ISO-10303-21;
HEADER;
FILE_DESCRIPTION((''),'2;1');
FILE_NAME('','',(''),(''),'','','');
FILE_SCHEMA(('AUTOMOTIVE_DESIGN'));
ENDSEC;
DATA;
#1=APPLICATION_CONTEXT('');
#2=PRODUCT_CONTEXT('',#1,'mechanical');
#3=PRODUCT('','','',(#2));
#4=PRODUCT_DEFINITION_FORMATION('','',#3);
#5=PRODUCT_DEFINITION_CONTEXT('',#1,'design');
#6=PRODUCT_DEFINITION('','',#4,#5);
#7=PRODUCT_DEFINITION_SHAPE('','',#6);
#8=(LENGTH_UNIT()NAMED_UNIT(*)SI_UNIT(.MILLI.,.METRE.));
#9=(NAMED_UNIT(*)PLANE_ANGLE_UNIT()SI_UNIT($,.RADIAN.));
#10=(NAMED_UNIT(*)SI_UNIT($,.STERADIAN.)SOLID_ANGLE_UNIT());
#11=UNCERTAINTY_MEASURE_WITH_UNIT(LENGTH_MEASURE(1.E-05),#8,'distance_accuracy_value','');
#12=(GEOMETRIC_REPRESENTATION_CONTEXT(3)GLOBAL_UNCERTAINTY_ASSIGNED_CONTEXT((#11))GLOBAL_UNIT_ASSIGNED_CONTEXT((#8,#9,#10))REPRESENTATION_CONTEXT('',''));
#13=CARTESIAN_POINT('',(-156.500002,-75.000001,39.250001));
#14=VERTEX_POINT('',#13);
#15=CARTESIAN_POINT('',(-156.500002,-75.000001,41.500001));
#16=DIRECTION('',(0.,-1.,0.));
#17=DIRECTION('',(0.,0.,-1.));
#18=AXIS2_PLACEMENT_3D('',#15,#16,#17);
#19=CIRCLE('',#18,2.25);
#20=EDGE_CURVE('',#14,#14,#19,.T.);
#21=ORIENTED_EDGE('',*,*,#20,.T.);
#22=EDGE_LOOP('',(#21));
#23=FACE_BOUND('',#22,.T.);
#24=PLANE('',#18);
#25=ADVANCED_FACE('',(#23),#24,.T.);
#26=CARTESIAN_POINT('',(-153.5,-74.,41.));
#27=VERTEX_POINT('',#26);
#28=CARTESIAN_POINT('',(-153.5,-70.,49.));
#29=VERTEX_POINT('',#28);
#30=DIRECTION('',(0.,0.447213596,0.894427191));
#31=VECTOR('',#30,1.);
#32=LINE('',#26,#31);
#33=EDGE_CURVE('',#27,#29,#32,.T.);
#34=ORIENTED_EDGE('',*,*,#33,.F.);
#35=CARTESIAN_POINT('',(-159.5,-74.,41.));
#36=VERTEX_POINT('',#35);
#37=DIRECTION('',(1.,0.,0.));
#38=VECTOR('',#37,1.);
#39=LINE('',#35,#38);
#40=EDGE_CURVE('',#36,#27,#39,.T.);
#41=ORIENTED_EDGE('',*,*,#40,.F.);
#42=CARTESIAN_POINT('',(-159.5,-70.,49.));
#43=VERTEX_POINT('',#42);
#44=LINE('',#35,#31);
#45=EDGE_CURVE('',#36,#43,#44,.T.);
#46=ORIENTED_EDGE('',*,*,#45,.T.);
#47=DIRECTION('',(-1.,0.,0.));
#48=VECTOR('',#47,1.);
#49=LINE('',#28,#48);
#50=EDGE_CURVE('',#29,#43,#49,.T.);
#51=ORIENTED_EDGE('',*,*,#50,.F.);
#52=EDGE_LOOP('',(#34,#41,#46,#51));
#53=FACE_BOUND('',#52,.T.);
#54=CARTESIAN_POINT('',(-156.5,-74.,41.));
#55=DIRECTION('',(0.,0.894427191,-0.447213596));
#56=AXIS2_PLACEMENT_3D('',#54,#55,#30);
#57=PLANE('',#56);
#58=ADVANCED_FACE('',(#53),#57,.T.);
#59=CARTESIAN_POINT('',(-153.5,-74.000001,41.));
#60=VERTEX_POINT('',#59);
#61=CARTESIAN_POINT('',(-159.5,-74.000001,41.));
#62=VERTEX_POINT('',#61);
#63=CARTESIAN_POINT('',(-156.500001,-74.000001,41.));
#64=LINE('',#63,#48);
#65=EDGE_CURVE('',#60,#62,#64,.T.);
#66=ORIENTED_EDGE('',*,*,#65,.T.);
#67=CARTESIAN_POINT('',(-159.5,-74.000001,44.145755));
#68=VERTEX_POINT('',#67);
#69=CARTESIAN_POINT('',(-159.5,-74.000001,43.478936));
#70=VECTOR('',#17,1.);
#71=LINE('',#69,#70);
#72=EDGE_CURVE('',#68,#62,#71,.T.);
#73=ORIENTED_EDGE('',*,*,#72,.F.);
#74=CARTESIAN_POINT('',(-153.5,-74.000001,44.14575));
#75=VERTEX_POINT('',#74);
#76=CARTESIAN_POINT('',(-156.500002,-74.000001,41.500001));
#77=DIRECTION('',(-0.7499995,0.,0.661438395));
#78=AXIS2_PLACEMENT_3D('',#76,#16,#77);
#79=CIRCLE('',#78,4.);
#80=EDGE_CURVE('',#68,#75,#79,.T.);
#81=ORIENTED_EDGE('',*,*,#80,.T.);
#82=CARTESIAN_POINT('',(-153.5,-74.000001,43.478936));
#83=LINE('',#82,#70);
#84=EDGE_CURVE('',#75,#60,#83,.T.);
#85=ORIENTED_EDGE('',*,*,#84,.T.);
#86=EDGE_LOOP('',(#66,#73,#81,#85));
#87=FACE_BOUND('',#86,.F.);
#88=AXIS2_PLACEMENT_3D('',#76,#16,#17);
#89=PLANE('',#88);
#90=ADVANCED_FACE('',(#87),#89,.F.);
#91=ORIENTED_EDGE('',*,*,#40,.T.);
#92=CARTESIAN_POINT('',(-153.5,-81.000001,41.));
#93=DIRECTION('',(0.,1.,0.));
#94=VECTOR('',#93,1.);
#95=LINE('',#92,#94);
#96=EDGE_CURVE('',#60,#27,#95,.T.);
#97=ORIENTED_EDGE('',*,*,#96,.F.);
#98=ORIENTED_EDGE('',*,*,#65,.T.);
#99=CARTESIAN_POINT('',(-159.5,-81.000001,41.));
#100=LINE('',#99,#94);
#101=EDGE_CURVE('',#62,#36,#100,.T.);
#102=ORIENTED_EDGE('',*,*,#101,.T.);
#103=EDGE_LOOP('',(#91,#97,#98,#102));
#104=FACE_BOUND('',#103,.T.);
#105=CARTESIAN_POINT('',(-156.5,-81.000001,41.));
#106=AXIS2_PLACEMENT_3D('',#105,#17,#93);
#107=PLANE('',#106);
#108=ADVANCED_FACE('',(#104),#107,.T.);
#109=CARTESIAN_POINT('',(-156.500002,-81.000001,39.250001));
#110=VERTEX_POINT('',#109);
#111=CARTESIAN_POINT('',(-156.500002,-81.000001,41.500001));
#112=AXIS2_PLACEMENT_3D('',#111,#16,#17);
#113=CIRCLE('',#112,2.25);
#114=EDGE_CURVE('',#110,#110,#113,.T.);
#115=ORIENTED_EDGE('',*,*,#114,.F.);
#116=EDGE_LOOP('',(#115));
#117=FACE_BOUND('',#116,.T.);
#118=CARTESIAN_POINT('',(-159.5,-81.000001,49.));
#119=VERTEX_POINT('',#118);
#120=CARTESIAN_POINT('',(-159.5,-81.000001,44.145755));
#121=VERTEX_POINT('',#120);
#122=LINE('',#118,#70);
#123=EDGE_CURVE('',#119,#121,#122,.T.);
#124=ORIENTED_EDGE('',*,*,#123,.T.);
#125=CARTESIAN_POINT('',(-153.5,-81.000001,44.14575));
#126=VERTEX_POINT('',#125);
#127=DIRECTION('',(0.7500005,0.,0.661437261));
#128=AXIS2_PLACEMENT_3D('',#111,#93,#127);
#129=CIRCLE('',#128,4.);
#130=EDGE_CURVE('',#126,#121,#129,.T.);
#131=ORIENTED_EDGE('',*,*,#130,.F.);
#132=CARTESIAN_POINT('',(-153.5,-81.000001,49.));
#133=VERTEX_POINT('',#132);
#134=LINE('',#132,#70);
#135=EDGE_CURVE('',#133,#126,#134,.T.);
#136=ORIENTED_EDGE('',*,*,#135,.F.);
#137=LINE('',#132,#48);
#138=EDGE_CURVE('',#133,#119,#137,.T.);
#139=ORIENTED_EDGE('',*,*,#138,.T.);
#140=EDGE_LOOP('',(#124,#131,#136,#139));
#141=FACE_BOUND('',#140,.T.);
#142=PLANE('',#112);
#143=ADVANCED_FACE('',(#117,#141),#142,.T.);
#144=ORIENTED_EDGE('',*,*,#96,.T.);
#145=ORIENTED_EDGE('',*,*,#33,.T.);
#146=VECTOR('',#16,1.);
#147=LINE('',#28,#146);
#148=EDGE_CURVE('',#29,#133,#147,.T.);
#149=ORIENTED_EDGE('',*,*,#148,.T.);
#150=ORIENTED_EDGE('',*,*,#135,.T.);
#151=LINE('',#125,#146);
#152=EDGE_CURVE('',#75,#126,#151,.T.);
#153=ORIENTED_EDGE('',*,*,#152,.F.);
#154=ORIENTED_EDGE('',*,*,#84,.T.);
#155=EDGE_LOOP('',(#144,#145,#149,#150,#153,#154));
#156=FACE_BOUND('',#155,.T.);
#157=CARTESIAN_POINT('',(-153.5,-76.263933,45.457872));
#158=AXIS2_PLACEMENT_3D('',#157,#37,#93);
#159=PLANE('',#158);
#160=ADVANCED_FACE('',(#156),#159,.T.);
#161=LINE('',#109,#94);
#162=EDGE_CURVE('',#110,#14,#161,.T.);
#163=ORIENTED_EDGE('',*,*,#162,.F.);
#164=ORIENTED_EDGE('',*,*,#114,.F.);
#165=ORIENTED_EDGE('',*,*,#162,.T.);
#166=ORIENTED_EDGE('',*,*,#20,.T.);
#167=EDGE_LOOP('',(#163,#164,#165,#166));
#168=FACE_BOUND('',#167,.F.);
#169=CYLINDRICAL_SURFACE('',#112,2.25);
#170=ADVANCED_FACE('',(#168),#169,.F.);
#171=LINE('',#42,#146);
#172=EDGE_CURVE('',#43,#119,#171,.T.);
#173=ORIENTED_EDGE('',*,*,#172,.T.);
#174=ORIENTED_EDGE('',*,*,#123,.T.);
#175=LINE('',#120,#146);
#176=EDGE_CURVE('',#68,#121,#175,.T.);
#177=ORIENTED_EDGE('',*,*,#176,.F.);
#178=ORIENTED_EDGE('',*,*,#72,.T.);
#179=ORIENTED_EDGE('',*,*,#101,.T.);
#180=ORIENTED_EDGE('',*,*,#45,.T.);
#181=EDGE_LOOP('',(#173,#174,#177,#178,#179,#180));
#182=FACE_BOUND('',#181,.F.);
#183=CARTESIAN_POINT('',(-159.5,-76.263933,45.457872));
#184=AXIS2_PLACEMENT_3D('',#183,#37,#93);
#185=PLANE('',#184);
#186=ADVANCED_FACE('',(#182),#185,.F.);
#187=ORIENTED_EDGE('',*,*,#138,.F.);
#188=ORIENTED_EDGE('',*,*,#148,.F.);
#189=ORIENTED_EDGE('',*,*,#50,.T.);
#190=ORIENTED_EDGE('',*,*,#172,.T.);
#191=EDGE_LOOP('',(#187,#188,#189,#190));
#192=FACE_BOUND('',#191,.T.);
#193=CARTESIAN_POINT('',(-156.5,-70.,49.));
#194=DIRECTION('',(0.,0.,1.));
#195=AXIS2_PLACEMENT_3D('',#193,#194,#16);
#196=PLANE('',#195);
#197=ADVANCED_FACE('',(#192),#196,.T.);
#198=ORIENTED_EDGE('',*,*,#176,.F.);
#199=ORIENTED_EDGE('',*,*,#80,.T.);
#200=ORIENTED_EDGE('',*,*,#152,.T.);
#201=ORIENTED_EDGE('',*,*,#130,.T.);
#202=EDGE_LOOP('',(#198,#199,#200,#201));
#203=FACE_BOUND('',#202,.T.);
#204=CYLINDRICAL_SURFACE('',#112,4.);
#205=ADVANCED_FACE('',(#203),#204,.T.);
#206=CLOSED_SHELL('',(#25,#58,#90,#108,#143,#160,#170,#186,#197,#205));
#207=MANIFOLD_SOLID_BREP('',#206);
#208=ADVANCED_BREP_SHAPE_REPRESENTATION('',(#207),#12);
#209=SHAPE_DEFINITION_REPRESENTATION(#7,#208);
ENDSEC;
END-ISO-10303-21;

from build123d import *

# Parameters (mm, degrees)
PAD001_DEPTH    = 3
SKETCH006_R     = 4
PAD002_DEPTH    = 7
SKETCH007_R     = 2.25
POCKET002_DEPTH = 6


with BuildPart() as part:
    # Sketch005 → Pad001 (new body, symmetric)
    with BuildSketch(Plane.YZ.offset(-156.5)):
        Polygon((-81.000001, 49), (-81.000001, 41), (-74, 41), (-70, 49), align=None)
    extrude(amount=PAD001_DEPTH, both=True)

    # Sketch006 (on Face1 of Pad001) → Pad002 (join)
    with BuildSketch(Plane(origin=(0, -81.000001, 0), x_dir=(0, 0, -1), z_dir=(0, -1, 0))):
        with Locations((-41.500001, -156.500002)):
            Circle(SKETCH006_R)
    extrude(amount=-PAD002_DEPTH)

    # Sketch007 (on Face7 of Pad002) → Pocket002 (cut)
    with BuildSketch(Plane(origin=(0, -81.000001, 0), x_dir=(0, 0, -1), z_dir=(0, -1, 0))):
        with Locations((-41.500001, -156.500002)):
            Circle(SKETCH007_R)
    extrude(amount=-POCKET002_DEPTH, mode=Mode.SUBTRACT)


solid = part.part
